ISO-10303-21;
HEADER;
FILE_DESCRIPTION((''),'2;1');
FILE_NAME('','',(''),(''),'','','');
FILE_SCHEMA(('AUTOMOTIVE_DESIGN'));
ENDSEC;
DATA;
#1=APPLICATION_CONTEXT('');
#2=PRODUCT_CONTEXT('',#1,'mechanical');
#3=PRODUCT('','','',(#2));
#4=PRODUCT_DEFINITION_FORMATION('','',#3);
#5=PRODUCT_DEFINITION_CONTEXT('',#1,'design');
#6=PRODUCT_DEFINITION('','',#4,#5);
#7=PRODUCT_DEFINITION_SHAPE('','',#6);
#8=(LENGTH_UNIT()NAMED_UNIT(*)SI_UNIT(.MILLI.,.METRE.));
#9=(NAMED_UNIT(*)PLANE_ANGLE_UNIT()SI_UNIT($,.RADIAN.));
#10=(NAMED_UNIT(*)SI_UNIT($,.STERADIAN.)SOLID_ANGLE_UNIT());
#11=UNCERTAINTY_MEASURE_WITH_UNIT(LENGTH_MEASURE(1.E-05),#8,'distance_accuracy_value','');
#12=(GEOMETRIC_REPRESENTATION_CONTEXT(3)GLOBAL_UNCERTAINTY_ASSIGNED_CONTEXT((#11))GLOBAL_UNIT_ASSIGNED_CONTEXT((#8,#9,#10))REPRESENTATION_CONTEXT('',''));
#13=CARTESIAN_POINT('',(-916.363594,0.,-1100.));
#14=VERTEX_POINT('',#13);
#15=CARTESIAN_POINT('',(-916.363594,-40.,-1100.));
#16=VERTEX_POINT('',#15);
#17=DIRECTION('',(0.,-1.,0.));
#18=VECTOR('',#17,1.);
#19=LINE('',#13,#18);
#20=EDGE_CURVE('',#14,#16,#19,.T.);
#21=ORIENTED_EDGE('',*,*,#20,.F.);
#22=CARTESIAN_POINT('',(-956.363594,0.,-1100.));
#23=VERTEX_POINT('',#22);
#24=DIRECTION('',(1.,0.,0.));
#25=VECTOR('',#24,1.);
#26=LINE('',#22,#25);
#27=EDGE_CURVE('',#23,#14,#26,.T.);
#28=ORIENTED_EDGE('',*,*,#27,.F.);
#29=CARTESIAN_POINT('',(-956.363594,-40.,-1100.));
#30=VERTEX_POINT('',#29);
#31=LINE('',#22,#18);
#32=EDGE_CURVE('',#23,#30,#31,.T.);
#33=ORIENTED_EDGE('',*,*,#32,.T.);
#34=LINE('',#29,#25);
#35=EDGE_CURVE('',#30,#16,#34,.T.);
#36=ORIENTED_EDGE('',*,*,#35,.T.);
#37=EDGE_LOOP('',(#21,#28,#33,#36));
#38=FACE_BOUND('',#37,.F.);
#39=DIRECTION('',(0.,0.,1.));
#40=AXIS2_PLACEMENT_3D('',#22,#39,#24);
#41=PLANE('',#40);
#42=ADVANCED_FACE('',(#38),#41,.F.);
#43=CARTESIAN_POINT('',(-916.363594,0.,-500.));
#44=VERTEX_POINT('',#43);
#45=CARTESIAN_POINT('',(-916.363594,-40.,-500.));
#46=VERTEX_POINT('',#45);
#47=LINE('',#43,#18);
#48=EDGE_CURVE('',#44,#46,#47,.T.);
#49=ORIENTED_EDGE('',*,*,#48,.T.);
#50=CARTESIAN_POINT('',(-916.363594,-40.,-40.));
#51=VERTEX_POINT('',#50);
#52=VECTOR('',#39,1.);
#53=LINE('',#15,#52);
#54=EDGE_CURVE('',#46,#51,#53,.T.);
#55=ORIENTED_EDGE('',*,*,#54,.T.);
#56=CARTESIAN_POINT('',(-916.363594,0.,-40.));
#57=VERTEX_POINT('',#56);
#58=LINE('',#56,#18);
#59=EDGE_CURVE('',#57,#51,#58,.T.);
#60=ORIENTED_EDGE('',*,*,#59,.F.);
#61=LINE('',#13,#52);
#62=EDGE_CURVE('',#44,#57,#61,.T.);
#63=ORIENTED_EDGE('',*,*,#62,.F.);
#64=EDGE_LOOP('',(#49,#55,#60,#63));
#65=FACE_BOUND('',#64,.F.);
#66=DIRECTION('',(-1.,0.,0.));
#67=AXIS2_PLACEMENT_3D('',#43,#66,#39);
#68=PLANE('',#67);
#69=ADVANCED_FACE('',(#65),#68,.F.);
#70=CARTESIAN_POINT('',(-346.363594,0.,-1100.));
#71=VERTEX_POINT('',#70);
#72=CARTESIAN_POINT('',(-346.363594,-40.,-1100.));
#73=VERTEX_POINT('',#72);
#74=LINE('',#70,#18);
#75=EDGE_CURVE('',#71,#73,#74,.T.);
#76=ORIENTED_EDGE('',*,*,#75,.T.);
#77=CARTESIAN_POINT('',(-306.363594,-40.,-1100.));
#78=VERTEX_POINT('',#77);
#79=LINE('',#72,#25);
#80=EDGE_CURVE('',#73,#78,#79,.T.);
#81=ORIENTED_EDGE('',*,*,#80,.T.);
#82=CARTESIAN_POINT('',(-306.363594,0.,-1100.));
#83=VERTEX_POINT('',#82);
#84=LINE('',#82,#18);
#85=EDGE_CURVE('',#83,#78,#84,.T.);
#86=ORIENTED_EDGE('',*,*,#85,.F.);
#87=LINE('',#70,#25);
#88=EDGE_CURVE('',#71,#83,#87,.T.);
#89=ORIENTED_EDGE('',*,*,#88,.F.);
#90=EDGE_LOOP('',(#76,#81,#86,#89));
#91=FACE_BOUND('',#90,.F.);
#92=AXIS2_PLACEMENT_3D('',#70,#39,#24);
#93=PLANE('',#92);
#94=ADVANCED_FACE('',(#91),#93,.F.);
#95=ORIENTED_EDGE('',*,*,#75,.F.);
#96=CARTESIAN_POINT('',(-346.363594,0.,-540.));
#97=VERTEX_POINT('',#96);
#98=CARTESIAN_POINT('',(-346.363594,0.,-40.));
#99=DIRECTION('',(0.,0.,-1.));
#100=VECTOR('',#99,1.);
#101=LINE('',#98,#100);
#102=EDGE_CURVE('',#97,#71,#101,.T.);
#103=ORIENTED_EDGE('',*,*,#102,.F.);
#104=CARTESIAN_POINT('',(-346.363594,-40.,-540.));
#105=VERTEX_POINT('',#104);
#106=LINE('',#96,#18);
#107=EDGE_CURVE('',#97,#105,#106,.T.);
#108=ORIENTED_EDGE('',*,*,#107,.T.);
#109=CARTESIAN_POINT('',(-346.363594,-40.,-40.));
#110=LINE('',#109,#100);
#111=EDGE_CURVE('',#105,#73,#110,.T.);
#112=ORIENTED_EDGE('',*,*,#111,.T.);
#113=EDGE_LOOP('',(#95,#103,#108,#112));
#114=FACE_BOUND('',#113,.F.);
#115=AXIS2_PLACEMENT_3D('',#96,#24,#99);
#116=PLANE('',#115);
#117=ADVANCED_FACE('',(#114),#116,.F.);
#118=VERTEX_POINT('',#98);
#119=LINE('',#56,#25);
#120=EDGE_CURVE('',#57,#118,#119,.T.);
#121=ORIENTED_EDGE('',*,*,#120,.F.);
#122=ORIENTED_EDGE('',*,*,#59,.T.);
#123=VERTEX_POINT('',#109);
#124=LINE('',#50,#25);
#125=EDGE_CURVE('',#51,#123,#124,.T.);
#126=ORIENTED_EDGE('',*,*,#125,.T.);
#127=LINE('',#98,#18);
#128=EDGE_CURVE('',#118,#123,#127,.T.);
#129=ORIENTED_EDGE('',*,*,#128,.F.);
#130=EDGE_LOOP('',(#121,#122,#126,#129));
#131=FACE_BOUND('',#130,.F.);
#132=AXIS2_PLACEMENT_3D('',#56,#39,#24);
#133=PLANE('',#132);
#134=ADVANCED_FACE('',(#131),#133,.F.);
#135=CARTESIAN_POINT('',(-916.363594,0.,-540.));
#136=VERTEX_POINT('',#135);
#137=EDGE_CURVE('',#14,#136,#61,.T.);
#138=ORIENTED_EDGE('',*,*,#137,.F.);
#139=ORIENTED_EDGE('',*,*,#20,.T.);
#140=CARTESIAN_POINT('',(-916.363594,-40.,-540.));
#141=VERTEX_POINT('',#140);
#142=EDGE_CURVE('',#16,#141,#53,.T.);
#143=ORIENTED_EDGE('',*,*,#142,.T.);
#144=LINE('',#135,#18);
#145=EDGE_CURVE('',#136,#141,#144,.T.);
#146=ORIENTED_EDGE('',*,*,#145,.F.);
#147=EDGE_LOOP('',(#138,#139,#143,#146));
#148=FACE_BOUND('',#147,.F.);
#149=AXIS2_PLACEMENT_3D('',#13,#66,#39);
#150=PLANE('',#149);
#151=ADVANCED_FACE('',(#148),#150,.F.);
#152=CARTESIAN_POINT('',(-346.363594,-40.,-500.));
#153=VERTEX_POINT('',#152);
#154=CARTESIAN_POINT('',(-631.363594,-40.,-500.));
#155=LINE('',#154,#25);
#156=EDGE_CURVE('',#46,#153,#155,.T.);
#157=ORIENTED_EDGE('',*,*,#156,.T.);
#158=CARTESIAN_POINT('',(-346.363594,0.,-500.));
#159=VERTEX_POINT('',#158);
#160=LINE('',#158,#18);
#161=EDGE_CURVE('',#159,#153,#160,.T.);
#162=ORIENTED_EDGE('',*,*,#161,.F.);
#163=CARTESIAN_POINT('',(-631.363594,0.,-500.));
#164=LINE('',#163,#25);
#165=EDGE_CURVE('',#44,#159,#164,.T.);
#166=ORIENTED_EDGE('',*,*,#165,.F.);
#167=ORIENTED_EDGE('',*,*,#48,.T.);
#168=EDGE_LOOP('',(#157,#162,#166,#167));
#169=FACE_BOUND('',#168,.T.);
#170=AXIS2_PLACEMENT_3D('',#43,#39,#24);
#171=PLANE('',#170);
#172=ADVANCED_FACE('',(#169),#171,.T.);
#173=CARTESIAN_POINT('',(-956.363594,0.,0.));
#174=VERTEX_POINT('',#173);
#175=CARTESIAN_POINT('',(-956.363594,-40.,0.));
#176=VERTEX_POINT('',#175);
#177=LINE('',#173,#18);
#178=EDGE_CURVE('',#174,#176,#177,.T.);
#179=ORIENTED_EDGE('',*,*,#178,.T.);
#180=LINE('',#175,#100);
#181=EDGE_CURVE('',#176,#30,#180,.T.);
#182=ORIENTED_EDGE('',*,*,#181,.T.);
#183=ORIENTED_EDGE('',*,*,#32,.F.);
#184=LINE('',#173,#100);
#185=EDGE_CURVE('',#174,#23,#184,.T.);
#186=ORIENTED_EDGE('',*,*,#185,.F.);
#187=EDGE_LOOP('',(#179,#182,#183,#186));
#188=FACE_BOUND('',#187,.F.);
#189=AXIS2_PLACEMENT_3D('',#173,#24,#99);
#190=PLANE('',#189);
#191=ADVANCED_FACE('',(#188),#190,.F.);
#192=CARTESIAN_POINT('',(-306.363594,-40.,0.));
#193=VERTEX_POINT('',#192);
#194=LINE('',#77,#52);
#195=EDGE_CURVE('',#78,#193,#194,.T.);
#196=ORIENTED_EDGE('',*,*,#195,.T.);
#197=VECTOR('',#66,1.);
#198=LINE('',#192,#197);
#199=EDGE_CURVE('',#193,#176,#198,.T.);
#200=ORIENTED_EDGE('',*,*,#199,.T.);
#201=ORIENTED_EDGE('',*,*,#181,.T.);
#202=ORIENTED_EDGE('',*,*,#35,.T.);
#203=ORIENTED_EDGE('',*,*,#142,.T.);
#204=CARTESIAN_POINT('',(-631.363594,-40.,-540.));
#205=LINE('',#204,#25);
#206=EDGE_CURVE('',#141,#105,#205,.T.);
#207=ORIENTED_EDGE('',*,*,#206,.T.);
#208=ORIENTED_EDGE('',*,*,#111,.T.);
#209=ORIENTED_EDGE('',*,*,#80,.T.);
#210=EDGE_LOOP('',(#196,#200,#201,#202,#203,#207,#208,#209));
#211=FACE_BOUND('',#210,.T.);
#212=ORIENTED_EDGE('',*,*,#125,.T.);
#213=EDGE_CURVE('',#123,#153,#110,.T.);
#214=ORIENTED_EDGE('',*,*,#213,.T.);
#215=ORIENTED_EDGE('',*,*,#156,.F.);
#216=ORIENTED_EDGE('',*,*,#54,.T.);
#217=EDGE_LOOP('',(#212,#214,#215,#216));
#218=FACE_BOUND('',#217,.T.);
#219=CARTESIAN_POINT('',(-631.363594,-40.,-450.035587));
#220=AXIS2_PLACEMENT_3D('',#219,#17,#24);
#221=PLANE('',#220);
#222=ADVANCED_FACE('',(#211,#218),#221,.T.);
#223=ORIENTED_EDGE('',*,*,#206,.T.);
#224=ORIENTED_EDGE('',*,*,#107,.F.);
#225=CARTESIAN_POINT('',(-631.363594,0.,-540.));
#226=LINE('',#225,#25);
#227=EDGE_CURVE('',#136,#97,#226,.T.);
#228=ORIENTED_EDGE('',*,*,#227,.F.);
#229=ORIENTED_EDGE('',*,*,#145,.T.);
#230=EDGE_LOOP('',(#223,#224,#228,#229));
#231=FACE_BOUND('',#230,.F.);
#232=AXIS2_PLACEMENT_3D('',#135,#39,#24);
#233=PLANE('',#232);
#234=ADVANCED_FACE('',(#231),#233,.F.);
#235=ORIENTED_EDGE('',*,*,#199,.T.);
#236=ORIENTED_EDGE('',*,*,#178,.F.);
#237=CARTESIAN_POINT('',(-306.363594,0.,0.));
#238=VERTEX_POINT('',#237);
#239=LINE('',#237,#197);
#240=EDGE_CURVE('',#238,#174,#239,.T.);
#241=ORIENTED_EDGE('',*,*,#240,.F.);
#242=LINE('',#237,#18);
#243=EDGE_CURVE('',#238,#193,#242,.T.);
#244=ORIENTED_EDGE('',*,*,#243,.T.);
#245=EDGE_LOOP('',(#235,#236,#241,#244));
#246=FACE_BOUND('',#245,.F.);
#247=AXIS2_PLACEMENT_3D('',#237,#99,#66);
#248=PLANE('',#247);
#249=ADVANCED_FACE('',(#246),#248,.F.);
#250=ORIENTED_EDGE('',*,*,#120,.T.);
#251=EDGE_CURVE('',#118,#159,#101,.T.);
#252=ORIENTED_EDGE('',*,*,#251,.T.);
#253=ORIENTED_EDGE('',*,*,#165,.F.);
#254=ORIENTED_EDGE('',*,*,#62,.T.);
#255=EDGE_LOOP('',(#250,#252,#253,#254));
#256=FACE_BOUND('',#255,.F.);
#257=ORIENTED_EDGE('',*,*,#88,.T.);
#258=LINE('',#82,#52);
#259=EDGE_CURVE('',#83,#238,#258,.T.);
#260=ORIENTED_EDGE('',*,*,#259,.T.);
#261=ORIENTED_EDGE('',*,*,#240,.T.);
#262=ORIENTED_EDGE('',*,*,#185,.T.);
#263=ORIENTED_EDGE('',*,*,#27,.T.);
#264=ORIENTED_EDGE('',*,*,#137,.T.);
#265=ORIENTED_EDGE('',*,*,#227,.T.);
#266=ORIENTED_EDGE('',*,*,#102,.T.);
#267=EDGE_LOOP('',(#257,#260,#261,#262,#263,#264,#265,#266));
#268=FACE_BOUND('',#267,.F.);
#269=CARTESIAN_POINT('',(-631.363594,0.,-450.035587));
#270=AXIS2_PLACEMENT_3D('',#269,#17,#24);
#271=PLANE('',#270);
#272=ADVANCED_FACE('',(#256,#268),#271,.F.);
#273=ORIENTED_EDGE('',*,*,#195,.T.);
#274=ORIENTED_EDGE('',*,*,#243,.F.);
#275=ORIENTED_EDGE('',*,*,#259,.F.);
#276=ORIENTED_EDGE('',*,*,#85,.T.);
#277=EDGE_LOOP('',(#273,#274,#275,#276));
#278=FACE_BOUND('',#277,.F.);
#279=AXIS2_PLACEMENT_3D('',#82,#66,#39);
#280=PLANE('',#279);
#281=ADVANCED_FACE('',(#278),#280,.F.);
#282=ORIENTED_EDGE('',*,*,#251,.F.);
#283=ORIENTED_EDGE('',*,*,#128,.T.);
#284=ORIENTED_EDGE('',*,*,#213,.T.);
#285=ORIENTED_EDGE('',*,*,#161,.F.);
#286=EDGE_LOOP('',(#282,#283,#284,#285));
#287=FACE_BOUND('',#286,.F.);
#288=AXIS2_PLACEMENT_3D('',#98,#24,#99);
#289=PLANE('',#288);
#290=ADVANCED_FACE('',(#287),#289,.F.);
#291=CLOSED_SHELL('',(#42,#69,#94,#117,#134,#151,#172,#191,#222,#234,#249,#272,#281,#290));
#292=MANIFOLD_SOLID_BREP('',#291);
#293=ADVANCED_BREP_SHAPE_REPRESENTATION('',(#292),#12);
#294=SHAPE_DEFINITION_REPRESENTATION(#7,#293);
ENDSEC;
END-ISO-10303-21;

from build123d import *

# Parameters (mm, degrees)
F0_W     = 570
F0_H     = 40
F1_DEPTH = 40


with BuildPart() as f1:
    # F0 (on Front) → F1 (new body)
    with BuildSketch(Plane.XZ):
        Polygon((-956.363594, 0), (-956.363594, -1100), (-916.363594, -1100), (-916.363594, -540), (-916.363594, -500), (-916.363594, -40), (-346.363594, -40), (-346.363594, -500), (-346.363594, -540), (-346.363594, -1100), (-306.363594, -1100), (-306.363594, 0), align=None)
        with Locations((-631.363594, -520)):
            Rectangle(F0_W, F0_H)
    extrude(amount=F1_DEPTH)


solid = f1.part
